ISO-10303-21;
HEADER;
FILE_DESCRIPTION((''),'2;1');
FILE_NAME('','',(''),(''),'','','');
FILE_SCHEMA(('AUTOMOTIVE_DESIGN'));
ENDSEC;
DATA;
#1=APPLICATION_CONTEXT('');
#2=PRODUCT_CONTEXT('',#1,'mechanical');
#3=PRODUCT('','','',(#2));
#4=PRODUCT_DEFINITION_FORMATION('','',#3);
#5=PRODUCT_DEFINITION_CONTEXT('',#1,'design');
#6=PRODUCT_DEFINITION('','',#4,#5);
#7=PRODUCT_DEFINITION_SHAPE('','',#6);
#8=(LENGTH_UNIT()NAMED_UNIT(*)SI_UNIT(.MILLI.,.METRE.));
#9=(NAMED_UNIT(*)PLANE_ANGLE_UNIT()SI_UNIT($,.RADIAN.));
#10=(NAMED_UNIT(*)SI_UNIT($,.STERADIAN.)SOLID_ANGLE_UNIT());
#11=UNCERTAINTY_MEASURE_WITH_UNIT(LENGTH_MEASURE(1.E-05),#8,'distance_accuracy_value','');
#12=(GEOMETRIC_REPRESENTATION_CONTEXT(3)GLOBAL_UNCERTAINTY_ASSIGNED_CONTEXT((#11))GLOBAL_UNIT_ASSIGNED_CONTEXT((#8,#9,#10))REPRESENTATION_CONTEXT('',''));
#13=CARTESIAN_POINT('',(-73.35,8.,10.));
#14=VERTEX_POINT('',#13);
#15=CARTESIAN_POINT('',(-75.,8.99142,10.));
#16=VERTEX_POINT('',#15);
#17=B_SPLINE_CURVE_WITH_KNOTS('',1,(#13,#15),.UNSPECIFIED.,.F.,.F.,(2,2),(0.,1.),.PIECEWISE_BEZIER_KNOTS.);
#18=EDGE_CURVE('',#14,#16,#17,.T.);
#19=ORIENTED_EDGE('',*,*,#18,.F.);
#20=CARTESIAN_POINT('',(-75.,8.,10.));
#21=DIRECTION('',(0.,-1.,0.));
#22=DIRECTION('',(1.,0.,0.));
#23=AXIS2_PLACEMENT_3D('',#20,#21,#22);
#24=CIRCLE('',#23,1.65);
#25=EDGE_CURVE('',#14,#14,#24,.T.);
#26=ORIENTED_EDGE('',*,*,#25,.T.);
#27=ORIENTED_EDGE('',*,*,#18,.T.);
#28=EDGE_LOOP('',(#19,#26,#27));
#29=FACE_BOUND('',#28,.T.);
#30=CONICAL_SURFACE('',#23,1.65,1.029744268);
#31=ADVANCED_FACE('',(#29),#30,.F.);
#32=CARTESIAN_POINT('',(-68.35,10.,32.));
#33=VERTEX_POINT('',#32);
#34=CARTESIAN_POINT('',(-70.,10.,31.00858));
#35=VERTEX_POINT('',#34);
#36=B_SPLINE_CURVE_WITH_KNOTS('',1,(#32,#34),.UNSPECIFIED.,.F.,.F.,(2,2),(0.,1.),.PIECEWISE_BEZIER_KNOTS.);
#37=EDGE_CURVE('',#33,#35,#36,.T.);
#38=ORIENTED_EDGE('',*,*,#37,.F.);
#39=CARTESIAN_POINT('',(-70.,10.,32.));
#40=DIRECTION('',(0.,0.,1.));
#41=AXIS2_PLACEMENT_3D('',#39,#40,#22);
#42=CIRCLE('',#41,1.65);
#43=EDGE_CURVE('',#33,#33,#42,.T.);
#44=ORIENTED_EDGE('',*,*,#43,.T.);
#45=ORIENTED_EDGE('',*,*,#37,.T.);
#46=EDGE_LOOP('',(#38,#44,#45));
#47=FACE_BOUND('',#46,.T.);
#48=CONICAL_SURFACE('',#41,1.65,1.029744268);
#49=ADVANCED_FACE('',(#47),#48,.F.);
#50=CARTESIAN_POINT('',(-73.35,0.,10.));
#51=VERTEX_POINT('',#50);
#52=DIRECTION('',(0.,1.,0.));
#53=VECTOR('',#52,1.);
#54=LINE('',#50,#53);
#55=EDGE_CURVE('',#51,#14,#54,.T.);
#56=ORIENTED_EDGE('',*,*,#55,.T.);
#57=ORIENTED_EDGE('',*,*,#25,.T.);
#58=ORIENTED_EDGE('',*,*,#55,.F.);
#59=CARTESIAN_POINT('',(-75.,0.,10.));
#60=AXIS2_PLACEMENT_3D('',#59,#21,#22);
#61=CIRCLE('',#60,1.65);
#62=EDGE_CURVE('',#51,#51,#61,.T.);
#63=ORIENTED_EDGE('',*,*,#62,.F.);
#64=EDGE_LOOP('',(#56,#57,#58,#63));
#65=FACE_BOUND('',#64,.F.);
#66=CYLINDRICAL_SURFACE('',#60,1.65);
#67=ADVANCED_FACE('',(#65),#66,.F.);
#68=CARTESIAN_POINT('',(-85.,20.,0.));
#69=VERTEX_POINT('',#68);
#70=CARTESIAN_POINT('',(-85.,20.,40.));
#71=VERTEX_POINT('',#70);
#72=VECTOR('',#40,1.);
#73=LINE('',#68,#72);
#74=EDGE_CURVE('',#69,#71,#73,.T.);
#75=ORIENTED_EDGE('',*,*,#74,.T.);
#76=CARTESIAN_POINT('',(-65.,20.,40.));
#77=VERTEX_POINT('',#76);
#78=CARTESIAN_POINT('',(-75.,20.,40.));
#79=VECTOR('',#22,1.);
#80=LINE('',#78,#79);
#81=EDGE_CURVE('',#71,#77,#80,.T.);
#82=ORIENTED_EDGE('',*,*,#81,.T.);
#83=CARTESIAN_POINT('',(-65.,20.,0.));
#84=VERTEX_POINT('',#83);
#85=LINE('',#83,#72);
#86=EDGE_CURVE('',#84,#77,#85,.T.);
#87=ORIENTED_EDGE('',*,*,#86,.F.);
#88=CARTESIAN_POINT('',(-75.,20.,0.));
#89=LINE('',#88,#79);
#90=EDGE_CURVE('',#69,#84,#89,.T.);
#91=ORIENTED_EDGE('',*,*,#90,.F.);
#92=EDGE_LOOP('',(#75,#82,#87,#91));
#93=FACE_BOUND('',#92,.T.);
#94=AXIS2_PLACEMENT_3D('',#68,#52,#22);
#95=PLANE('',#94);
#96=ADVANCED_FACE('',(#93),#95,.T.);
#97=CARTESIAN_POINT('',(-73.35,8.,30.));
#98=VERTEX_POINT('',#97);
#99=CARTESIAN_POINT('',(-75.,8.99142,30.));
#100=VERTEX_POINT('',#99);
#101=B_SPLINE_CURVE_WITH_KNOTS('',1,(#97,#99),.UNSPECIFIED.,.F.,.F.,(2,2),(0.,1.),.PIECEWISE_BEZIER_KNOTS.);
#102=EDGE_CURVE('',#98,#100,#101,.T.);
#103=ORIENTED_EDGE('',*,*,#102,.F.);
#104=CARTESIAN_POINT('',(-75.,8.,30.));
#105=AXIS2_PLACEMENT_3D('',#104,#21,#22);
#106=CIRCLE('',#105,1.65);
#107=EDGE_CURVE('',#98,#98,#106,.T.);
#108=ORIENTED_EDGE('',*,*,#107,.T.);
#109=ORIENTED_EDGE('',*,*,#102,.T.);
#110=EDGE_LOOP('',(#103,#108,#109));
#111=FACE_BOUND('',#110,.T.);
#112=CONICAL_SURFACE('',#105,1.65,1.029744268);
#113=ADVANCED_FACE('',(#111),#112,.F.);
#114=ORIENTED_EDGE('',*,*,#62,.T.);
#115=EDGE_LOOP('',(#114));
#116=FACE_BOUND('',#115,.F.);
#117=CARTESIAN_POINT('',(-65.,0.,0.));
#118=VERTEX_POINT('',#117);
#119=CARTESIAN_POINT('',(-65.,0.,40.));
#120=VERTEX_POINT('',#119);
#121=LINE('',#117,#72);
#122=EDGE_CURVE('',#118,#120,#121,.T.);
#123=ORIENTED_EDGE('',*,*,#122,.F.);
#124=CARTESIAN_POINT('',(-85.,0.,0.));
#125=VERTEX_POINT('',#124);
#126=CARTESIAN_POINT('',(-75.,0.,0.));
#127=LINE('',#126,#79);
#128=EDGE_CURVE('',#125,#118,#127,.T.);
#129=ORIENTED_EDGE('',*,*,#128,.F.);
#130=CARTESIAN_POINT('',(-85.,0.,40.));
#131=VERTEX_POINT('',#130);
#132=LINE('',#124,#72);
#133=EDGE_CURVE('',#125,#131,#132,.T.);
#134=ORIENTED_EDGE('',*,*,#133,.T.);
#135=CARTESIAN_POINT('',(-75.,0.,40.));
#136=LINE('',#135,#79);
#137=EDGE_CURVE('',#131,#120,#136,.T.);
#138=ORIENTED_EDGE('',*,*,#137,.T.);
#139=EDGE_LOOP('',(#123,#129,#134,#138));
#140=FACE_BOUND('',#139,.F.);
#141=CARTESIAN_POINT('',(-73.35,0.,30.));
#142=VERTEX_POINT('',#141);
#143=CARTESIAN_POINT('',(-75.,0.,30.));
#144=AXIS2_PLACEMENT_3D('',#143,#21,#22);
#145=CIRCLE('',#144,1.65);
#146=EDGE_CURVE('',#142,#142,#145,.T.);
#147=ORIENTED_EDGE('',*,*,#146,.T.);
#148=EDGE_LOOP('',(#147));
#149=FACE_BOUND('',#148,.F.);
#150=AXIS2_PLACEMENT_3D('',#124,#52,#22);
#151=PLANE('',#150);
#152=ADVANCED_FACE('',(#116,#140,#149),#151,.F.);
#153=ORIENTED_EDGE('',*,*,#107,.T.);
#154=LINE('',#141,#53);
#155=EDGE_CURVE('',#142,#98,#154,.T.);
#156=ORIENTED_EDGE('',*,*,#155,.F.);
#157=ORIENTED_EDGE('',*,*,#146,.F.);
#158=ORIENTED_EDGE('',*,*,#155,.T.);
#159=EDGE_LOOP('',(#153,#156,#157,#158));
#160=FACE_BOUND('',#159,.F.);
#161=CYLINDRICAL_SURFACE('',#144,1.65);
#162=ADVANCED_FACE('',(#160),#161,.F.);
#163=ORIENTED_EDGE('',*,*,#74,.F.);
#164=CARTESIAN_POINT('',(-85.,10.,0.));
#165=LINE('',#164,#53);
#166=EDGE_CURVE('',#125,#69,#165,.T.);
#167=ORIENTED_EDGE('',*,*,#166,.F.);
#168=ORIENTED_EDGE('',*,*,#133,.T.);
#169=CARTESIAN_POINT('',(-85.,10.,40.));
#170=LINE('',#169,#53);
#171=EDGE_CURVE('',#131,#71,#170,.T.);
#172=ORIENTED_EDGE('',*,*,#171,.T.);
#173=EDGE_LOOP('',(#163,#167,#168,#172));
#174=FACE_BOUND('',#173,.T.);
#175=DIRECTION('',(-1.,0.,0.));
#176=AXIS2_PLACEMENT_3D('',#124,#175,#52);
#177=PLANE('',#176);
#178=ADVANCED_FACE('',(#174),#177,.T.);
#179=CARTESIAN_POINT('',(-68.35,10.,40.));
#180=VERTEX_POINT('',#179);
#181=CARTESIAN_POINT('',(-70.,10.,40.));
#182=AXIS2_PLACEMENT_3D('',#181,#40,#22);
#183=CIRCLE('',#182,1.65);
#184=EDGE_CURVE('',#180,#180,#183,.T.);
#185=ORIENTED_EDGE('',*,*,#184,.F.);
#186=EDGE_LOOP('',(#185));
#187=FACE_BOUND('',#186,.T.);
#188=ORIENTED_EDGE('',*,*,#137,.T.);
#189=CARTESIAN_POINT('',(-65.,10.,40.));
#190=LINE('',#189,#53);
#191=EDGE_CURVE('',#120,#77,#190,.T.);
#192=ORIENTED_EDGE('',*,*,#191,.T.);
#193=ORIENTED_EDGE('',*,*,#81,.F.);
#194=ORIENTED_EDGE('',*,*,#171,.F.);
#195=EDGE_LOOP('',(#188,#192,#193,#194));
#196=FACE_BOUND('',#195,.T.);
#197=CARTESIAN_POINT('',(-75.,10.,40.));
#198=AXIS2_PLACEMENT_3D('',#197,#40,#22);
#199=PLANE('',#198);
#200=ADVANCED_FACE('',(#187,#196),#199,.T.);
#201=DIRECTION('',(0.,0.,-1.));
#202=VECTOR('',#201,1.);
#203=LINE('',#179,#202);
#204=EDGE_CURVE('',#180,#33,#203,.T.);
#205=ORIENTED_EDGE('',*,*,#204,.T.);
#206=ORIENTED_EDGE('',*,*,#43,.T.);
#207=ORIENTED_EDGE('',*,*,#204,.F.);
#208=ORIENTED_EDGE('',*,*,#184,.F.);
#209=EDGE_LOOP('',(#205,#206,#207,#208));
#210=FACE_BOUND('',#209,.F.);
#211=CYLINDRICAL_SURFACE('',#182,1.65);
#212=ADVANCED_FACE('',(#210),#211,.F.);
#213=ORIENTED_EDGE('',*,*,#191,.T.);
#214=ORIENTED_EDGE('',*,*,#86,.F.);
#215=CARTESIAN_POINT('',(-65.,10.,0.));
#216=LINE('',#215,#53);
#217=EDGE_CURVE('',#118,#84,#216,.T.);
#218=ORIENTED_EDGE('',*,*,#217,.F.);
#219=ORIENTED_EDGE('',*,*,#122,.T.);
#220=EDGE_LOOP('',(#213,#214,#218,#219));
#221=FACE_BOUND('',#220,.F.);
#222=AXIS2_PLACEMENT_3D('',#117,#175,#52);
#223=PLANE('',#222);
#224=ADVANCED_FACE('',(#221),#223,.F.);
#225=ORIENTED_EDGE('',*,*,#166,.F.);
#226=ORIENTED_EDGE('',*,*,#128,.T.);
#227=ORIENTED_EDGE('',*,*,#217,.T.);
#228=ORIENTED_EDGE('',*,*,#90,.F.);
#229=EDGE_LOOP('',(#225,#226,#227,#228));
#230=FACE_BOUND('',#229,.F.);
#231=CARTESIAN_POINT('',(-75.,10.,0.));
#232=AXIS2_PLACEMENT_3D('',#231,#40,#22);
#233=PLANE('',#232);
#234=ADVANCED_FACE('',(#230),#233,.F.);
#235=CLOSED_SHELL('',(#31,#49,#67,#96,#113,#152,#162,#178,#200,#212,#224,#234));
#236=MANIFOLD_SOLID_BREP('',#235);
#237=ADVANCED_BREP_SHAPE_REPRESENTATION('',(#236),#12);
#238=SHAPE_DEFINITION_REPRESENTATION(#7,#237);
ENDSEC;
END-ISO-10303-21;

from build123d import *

# Parameters (mm, degrees)
SKETCH_W       = 20
SKETCH_H       = 20
PAD_DEPTH      = 40
SKETCH001_R    = 1.65
HOLE_DEPTH     = 8
HOLE_TIPS_R    = 1.65
SKETCH002_R    = 1.65
HOLE001_DEPTH  = 8
HOLE001_TIPS_R = 1.65


with BuildPart() as part:
    # Sketch → Pad (new body)
    with BuildSketch(Plane.XY):
        with Locations((-75, 10)):
            Rectangle(SKETCH_W, SKETCH_H)
    extrude(amount=PAD_DEPTH)

    # Sketch001 (on Face1 of Pad) → Hole (cut)
    with BuildSketch(Plane.XZ):
        with Locations((-75, 30)):
            Circle(SKETCH001_R)
        with Locations((-75, 10)):
            Circle(SKETCH001_R)
    extrude(amount=-HOLE_DEPTH, mode=Mode.SUBTRACT)

    # Hole tips → Hole tip 1 section 0
    with BuildSketch(Plane.XZ.offset(-8), mode=Mode.PRIVATE) as hole_tip_1_s0:
        with Locations((-75, 30)):
            Circle(HOLE_TIPS_R)
    loft([hole_tip_1_s0.sketch, Vertex(-75, 8.99142, 30)], mode=Mode.SUBTRACT)

    # Hole tips → Hole tip 2 section 0
    with BuildSketch(Plane.XZ.offset(-8), mode=Mode.PRIVATE) as hole_tip_2_s0:
        with Locations((-75, 10)):
            Circle(HOLE_TIPS_R)
    loft([hole_tip_2_s0.sketch, Vertex(-75, 8.99142, 10)], mode=Mode.SUBTRACT)

    # Sketch002 (on Face4 of Hole) → Hole001 (cut)
    with BuildSketch(Plane.XY.offset(40)):
        with Locations((-70, 10)):
            Circle(SKETCH002_R)
    extrude(amount=-HOLE001_DEPTH, mode=Mode.SUBTRACT)

    # Hole001 tips → Hole001 tip 1 section 0
    with BuildSketch(Plane.XY.offset(32), mode=Mode.PRIVATE) as hole001_tip_1_s0:
        with Locations((-70, 10)):
            Circle(HOLE001_TIPS_R)
    loft([hole001_tip_1_s0.sketch, Vertex(-70, 10, 31.00858)], mode=Mode.SUBTRACT)


solid = part.part
